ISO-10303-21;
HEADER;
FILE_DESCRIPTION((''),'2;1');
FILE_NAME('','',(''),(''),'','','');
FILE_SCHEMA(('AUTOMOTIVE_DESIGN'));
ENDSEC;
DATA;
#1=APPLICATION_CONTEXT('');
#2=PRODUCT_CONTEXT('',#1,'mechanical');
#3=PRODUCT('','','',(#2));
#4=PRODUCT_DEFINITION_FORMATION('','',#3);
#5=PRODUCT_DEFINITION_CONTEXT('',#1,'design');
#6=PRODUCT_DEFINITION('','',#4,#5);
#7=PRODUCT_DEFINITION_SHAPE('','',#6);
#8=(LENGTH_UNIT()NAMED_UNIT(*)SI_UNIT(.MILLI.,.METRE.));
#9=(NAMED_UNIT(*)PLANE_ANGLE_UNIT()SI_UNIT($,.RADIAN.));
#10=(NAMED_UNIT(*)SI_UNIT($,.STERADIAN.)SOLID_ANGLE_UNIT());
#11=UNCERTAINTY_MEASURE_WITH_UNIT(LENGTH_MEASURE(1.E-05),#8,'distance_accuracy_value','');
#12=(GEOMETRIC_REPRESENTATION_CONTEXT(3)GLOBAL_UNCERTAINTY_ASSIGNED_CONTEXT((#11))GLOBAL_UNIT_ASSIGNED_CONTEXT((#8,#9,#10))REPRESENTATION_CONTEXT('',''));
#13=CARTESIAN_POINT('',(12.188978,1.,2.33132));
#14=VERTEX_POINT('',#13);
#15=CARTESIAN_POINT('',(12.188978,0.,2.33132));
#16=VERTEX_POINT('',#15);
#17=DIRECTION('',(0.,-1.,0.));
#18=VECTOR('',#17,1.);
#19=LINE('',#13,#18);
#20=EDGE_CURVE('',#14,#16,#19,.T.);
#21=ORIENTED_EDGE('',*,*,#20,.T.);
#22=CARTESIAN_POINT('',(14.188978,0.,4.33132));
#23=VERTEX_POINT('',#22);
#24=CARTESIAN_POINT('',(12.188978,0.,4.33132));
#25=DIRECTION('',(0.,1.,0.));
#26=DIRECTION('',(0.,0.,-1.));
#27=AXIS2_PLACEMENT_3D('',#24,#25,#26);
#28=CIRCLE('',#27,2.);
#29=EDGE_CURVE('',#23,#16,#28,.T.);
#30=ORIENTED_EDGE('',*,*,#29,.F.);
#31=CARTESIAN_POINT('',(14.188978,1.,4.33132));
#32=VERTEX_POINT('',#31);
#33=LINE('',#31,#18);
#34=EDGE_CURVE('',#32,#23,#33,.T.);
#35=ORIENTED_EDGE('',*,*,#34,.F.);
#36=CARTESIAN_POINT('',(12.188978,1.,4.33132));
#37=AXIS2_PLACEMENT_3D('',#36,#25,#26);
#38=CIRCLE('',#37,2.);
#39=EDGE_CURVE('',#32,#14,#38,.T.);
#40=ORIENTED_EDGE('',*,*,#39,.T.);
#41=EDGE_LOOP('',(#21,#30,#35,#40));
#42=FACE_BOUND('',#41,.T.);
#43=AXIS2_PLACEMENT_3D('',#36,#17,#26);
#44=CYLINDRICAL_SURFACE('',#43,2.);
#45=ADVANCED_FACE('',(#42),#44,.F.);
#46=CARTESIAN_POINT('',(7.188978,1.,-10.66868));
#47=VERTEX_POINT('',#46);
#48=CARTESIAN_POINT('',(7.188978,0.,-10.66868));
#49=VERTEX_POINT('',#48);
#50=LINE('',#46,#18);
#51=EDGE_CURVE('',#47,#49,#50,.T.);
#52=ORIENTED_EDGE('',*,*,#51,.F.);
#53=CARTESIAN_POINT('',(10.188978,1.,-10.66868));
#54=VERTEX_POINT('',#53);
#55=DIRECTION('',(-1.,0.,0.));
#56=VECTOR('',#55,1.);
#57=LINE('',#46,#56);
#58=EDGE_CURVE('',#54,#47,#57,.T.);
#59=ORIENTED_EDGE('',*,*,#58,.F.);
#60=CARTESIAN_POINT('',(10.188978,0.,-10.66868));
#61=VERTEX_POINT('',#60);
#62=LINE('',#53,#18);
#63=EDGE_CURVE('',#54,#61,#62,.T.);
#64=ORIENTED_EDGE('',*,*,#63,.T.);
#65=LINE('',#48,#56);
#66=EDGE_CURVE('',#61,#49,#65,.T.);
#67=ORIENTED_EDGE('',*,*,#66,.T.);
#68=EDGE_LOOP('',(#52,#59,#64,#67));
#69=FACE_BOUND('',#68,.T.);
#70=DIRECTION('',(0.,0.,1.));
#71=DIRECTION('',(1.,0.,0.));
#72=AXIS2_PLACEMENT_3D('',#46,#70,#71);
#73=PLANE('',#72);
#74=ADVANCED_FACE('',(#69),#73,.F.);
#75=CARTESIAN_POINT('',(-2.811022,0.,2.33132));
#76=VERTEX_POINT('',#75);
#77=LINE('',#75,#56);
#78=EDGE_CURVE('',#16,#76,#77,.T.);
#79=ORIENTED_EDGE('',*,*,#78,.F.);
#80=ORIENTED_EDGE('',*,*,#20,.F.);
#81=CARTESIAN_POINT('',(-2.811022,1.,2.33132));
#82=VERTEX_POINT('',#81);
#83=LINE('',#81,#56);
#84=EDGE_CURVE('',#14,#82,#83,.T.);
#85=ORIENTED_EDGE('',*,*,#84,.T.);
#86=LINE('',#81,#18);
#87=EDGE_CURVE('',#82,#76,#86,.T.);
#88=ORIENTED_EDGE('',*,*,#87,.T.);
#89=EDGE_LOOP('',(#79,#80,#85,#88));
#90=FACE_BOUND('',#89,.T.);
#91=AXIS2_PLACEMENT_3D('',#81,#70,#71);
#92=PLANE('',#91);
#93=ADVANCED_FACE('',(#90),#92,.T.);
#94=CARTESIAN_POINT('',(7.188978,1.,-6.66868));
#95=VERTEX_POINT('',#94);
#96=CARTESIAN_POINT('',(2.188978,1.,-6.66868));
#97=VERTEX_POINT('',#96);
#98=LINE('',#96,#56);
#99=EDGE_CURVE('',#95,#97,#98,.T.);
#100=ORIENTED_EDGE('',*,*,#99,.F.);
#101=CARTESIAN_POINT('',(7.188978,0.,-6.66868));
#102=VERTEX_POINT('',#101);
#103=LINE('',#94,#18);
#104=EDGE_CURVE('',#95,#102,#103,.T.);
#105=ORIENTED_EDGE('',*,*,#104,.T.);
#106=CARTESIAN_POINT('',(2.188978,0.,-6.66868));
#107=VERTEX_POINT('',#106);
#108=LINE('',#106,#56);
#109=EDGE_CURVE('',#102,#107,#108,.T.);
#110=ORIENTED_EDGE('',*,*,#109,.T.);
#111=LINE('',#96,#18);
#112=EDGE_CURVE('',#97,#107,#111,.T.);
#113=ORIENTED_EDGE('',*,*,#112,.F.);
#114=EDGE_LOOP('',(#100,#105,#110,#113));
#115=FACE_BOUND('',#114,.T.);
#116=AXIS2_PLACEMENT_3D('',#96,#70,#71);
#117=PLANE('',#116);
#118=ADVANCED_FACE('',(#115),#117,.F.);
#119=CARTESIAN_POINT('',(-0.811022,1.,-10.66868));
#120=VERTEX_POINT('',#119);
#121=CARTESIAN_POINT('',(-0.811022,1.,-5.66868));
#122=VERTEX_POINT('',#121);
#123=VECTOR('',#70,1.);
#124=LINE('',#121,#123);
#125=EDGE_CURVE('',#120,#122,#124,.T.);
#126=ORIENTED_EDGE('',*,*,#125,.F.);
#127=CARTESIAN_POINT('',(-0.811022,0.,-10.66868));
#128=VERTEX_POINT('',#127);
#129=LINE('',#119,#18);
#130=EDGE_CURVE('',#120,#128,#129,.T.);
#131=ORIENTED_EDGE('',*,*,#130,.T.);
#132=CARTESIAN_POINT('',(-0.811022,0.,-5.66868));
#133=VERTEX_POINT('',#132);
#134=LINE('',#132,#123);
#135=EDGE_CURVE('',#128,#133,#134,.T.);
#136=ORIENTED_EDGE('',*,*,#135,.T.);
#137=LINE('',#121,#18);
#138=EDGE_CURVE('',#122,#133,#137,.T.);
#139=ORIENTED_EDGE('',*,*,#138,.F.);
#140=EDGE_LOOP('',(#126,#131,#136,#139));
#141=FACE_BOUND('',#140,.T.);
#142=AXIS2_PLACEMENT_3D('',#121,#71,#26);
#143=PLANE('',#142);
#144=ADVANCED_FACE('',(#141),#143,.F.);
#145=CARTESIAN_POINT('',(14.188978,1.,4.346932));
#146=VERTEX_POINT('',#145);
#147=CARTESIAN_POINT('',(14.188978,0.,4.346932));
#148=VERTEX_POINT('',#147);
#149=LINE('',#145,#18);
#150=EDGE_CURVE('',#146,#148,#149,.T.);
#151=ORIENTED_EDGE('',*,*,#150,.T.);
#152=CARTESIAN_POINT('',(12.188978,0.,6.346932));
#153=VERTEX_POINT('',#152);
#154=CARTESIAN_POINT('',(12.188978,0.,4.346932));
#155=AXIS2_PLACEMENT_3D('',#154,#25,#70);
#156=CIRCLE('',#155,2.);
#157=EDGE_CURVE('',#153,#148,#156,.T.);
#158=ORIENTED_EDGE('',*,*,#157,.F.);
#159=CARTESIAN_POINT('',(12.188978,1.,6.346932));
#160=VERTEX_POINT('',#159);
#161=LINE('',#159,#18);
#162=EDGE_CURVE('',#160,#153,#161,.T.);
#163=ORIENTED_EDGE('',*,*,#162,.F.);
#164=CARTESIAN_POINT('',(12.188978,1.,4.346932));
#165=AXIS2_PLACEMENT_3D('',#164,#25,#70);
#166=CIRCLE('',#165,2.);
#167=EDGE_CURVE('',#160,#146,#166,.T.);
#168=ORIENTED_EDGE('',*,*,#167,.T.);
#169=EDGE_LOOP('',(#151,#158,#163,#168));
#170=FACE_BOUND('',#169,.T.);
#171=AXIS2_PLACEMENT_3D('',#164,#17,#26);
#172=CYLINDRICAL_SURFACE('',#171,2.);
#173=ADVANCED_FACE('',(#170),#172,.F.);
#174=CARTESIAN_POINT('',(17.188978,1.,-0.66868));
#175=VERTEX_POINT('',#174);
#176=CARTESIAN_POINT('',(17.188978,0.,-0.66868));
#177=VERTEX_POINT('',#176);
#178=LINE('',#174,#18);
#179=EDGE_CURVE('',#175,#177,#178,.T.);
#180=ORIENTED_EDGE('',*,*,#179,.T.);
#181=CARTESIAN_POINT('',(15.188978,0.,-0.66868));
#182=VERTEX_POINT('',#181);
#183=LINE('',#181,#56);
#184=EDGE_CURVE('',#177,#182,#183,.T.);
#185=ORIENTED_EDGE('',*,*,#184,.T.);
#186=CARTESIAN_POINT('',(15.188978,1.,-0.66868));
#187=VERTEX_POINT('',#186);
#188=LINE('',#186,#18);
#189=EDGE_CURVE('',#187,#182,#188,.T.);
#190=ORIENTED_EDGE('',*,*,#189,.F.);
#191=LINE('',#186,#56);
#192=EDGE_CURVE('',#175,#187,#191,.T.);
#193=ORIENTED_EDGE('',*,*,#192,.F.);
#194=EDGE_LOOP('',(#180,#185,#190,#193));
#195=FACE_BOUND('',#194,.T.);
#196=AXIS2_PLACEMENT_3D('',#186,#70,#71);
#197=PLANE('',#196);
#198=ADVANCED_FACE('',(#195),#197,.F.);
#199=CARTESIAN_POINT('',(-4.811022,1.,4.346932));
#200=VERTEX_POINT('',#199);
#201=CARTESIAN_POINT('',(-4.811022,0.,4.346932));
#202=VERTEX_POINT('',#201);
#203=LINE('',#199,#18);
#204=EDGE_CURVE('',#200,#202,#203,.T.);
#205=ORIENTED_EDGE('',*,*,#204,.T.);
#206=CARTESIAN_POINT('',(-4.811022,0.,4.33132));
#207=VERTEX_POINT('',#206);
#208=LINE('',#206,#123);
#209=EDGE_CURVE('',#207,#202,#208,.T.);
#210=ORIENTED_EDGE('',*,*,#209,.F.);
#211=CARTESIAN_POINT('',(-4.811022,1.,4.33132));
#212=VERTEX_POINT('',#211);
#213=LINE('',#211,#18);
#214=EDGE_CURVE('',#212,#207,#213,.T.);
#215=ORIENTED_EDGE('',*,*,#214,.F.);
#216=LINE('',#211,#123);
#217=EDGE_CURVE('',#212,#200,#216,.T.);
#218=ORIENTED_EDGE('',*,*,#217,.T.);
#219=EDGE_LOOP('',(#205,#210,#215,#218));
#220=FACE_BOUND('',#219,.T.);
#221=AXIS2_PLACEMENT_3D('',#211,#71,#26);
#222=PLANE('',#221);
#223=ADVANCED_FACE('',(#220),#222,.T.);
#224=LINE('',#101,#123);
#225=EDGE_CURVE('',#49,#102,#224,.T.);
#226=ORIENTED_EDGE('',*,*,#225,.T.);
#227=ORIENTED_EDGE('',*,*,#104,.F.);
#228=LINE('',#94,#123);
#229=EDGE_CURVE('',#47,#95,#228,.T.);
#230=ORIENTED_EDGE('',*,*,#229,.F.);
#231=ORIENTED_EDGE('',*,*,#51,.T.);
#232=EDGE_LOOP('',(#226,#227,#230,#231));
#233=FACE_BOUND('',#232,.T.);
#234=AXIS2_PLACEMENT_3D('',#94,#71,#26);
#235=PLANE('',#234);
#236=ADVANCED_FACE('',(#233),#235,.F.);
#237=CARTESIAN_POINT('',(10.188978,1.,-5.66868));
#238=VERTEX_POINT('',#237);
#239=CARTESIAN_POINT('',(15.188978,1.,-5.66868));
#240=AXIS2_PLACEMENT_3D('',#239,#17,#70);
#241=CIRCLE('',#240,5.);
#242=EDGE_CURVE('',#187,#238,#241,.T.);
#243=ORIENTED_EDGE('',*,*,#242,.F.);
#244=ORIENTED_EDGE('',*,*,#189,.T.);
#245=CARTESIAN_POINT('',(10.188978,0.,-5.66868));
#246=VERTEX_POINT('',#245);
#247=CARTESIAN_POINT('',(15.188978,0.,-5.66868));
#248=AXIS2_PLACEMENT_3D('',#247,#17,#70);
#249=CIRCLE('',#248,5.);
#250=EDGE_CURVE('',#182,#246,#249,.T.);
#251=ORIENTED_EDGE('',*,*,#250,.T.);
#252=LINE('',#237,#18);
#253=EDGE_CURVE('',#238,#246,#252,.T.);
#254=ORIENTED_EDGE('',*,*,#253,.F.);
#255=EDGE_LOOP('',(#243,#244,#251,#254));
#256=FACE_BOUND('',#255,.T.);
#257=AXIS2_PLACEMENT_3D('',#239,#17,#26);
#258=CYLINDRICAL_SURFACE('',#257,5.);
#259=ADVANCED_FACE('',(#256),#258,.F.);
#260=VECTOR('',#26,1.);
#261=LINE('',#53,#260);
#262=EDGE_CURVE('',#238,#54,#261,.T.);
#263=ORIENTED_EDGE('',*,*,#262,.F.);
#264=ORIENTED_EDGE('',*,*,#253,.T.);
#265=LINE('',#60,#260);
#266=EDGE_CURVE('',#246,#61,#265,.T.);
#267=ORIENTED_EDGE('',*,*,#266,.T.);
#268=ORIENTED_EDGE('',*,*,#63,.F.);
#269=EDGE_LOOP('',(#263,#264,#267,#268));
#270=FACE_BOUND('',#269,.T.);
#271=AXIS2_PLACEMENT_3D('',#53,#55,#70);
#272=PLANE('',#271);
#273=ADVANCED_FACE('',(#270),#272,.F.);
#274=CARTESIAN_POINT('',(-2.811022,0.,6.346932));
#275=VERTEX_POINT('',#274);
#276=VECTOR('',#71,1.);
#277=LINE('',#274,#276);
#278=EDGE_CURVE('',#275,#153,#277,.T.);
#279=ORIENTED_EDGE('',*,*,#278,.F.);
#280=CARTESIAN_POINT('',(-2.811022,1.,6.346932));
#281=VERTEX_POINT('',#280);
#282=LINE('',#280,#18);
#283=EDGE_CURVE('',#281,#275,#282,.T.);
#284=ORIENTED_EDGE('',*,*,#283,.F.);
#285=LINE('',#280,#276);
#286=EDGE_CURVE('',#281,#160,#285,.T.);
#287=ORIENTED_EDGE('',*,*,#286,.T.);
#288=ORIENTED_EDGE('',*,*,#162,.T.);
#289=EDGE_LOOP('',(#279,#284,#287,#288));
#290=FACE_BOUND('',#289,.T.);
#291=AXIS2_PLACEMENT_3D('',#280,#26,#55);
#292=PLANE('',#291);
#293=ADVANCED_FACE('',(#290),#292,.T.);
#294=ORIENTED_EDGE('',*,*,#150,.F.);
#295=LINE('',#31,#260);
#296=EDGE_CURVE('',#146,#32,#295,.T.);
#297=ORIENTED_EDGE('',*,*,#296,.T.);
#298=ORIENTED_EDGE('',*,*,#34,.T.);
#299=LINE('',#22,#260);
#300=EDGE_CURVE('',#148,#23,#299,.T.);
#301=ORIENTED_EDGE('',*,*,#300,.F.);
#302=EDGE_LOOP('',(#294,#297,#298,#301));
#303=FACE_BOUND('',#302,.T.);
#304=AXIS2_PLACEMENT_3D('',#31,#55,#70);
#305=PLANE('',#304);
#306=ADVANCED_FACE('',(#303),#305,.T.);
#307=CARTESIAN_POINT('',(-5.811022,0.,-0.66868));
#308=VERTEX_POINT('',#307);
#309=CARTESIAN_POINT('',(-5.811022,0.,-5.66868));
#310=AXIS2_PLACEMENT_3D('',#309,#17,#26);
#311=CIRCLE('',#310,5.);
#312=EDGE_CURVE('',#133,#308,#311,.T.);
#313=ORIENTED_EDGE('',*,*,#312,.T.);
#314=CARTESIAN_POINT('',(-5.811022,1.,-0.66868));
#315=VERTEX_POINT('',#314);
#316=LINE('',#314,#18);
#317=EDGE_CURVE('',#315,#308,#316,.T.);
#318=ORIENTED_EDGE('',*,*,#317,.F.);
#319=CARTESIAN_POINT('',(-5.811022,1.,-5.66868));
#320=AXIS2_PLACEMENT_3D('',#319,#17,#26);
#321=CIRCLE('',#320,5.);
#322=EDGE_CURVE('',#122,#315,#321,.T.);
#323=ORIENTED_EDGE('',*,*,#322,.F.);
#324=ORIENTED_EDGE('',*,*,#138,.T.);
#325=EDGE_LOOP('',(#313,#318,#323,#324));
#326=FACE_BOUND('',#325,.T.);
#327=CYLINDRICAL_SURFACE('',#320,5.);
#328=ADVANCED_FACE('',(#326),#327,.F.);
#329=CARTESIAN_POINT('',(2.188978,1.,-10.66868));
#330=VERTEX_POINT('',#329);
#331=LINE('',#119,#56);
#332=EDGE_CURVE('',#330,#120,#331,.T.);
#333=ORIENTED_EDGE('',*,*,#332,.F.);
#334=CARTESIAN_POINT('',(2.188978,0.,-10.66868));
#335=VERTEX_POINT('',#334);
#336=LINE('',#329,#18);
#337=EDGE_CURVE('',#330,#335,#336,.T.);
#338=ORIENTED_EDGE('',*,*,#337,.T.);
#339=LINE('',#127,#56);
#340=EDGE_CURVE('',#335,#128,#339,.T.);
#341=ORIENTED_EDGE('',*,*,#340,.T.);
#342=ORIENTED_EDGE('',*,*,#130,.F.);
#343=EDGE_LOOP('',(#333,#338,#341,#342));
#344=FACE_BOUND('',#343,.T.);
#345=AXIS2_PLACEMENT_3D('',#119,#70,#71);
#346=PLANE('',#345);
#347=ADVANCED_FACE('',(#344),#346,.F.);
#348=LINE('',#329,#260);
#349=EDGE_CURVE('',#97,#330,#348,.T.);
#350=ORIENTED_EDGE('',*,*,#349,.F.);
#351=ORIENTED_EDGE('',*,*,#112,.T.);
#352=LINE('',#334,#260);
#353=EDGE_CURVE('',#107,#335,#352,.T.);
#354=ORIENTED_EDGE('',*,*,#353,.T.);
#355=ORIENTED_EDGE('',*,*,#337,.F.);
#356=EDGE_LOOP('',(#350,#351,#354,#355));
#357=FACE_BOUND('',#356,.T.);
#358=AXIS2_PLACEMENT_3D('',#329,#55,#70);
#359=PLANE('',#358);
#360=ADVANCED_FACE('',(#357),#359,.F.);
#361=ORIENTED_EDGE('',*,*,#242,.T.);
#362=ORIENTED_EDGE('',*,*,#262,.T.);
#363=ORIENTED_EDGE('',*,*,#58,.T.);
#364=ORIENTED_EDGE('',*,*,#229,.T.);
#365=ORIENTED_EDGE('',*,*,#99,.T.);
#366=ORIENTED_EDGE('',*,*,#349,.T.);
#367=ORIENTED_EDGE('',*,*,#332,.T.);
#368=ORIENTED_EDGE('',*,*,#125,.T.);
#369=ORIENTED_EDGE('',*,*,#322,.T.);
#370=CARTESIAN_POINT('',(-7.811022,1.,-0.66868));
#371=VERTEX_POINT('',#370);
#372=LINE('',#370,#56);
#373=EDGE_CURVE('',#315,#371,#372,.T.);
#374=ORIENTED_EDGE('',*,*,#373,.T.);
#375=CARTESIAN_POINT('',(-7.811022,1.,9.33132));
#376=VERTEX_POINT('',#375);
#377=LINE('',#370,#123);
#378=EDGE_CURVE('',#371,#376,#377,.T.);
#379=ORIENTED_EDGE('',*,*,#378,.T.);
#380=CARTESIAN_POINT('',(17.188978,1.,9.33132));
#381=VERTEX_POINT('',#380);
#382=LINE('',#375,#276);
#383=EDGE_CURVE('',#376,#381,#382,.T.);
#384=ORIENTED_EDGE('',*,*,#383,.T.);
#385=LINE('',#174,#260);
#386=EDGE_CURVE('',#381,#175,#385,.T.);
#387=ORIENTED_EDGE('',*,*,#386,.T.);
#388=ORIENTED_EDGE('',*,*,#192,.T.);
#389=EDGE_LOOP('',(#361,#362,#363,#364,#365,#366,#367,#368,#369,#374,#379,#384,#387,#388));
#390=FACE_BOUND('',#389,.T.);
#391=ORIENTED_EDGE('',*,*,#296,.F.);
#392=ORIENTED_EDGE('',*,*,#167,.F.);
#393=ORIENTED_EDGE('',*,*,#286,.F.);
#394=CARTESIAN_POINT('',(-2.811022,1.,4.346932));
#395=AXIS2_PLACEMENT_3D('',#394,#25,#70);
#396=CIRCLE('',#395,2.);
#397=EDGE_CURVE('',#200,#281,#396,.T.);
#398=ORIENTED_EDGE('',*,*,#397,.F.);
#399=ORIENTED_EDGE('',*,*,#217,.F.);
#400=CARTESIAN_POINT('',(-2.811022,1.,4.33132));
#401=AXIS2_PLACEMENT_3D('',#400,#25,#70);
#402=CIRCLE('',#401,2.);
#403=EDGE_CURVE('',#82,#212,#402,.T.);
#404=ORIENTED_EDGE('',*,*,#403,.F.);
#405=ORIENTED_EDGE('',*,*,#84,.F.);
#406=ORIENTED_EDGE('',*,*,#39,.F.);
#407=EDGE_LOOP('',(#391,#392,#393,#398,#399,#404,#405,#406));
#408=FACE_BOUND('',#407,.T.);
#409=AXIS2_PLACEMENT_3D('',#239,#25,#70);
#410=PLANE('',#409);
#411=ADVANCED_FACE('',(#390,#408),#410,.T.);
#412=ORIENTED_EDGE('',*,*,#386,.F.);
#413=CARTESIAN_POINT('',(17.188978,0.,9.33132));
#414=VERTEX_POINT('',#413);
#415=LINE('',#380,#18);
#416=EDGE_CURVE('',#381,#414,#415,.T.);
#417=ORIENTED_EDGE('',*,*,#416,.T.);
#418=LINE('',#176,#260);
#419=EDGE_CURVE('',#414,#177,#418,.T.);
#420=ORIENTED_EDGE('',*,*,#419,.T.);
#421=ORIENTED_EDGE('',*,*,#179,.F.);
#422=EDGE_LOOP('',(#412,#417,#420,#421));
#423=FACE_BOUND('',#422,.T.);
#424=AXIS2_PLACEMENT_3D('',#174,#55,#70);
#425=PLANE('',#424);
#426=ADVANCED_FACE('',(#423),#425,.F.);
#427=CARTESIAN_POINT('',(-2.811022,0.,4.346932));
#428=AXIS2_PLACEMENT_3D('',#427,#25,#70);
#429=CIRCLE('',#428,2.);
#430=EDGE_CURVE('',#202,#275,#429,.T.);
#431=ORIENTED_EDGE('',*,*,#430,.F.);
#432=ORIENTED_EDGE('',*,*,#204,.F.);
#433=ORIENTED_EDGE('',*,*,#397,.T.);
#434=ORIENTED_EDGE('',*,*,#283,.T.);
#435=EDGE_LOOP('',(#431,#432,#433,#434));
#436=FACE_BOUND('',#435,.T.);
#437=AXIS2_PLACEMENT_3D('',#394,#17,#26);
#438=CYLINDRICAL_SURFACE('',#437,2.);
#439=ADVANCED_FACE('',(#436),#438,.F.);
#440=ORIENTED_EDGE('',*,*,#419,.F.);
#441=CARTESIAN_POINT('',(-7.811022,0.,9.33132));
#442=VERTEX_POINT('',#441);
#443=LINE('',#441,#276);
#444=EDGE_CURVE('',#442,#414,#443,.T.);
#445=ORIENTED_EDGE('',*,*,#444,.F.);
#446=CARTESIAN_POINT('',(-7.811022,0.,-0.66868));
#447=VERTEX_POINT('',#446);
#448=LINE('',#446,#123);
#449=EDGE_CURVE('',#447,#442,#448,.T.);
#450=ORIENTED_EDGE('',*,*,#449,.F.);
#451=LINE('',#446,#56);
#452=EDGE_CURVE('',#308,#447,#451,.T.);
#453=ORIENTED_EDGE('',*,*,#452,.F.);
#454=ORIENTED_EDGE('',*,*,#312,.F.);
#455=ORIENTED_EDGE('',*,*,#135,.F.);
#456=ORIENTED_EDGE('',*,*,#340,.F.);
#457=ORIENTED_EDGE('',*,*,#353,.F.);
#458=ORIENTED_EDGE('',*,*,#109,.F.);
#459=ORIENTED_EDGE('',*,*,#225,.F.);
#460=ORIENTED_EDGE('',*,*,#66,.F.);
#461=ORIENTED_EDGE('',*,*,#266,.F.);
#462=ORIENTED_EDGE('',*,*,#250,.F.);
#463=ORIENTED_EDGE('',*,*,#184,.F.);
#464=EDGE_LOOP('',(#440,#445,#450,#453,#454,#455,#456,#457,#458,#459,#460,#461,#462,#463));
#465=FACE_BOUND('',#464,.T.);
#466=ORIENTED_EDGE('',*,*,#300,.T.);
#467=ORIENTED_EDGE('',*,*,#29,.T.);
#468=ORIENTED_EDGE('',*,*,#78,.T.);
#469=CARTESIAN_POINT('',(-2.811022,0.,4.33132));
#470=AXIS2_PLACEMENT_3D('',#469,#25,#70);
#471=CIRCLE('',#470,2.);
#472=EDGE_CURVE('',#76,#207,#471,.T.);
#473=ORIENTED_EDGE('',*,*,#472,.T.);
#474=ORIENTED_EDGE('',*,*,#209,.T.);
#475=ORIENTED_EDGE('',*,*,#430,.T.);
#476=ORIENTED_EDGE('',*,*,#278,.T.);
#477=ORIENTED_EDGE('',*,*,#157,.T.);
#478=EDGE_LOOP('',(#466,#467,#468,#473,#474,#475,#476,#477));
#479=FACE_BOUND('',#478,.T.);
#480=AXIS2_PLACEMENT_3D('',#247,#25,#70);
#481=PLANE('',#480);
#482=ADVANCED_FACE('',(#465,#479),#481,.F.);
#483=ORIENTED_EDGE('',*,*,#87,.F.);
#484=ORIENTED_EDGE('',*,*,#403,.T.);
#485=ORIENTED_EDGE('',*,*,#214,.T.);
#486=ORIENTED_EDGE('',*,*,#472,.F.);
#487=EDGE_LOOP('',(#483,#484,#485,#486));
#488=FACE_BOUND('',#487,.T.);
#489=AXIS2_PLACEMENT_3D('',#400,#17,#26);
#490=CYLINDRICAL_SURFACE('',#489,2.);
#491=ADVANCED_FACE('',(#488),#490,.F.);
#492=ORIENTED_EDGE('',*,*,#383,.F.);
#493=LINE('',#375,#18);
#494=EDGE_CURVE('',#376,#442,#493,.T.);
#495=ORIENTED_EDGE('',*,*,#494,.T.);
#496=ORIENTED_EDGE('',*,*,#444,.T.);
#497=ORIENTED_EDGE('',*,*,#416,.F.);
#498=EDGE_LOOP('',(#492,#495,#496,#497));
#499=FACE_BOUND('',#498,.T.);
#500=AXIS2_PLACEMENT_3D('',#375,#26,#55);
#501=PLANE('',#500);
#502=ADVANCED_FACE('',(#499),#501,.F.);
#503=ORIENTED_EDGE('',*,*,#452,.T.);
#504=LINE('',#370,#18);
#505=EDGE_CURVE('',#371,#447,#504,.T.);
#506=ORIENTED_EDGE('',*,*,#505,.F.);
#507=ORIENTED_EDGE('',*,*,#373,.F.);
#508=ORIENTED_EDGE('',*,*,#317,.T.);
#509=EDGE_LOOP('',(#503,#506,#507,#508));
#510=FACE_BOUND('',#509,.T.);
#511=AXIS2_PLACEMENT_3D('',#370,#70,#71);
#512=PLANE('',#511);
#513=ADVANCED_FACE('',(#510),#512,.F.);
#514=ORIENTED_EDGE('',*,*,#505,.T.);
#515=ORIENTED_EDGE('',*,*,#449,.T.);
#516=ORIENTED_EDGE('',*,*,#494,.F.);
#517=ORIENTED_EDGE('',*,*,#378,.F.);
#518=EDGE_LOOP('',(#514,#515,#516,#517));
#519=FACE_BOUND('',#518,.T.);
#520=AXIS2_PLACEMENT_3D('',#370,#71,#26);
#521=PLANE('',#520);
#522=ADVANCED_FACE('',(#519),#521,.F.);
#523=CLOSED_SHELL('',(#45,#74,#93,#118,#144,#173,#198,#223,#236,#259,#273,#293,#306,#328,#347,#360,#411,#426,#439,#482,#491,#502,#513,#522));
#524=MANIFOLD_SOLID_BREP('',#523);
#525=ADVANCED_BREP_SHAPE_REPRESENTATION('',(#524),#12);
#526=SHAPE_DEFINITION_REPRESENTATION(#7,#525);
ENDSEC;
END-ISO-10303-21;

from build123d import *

# Parameters (mm, degrees)
BOSS_EXTRUDE1_DEPTH = 1


with BuildPart() as part:
    # Sketch1 → Boss-Extrude1 (new body)
    with BuildSketch(Plane(origin=(0, 0, 0), x_dir=(1, 0, 0), z_dir=(0, 1, 0))):
        with BuildLine():
            Line((-0.811022124, 5.668679597), (-0.811022124, 10.668679597))
            Line((-0.811022124, 10.668679597), (2.188977876, 10.668679597))
            Line((2.188977876, 10.668679597), (2.188977876, 6.668679597))
            Line((2.188977876, 6.668679597), (7.188977876, 6.668679597))
            Line((7.188977876, 6.668679597), (7.188977876, 10.668679597))
            Line((7.188977876, 10.668679597), (10.188977876, 10.668679597))
            Line((10.188977876, 10.668679597), (10.188977876, 5.668679597))
            ThreePointArc((10.188977876, 5.668679597), (11.65344397, 2.133145691), (15.188977876, 0.668679597))
            Line((15.188977876, 0.668679597), (17.188977876, 0.668679597))
            Line((17.188977876, 0.668679597), (17.188977876, -9.331320403))
            Line((17.188977876, -9.331320403), (-7.811022124, -9.331320403))
            Line((-7.811022124, -9.331320403), (-7.811022124, 0.668679597))
            Line((-7.811022124, 0.668679597), (-5.811022124, 0.668679597))
            ThreePointArc((-5.811022124, 0.668679597), (-2.275488218, 2.133145691), (-0.811022124, 5.668679597))
        make_face()
        with BuildLine():
            Line((-2.811022124, -2.331320403), (12.188977876, -2.331320403))
            ThreePointArc((12.188977876, -2.331320403), (13.603191438, -2.917106841), (14.188977876, -4.331320403))
            Line((14.188977876, -4.331320403), (14.188977876, -4.346932121))
            ThreePointArc((14.188977876, -4.346932121), (13.603191438, -5.761145684), (12.188977876, -6.346932121))
            Line((12.188977876, -6.346932121), (-2.811022124, -6.346932121))
            ThreePointArc((-2.811022124, -6.346932121), (-4.225235686, -5.761145684), (-4.811022124, -4.346932121))
            Line((-4.811022124, -4.346932121), (-4.811022124, -4.331320403))
            ThreePointArc((-4.811022124, -4.331320403), (-4.225235686, -2.917106841), (-2.811022124, -2.331320403))
        make_face(mode=Mode.SUBTRACT)
    extrude(amount=BOSS_EXTRUDE1_DEPTH)


solid = part.part
